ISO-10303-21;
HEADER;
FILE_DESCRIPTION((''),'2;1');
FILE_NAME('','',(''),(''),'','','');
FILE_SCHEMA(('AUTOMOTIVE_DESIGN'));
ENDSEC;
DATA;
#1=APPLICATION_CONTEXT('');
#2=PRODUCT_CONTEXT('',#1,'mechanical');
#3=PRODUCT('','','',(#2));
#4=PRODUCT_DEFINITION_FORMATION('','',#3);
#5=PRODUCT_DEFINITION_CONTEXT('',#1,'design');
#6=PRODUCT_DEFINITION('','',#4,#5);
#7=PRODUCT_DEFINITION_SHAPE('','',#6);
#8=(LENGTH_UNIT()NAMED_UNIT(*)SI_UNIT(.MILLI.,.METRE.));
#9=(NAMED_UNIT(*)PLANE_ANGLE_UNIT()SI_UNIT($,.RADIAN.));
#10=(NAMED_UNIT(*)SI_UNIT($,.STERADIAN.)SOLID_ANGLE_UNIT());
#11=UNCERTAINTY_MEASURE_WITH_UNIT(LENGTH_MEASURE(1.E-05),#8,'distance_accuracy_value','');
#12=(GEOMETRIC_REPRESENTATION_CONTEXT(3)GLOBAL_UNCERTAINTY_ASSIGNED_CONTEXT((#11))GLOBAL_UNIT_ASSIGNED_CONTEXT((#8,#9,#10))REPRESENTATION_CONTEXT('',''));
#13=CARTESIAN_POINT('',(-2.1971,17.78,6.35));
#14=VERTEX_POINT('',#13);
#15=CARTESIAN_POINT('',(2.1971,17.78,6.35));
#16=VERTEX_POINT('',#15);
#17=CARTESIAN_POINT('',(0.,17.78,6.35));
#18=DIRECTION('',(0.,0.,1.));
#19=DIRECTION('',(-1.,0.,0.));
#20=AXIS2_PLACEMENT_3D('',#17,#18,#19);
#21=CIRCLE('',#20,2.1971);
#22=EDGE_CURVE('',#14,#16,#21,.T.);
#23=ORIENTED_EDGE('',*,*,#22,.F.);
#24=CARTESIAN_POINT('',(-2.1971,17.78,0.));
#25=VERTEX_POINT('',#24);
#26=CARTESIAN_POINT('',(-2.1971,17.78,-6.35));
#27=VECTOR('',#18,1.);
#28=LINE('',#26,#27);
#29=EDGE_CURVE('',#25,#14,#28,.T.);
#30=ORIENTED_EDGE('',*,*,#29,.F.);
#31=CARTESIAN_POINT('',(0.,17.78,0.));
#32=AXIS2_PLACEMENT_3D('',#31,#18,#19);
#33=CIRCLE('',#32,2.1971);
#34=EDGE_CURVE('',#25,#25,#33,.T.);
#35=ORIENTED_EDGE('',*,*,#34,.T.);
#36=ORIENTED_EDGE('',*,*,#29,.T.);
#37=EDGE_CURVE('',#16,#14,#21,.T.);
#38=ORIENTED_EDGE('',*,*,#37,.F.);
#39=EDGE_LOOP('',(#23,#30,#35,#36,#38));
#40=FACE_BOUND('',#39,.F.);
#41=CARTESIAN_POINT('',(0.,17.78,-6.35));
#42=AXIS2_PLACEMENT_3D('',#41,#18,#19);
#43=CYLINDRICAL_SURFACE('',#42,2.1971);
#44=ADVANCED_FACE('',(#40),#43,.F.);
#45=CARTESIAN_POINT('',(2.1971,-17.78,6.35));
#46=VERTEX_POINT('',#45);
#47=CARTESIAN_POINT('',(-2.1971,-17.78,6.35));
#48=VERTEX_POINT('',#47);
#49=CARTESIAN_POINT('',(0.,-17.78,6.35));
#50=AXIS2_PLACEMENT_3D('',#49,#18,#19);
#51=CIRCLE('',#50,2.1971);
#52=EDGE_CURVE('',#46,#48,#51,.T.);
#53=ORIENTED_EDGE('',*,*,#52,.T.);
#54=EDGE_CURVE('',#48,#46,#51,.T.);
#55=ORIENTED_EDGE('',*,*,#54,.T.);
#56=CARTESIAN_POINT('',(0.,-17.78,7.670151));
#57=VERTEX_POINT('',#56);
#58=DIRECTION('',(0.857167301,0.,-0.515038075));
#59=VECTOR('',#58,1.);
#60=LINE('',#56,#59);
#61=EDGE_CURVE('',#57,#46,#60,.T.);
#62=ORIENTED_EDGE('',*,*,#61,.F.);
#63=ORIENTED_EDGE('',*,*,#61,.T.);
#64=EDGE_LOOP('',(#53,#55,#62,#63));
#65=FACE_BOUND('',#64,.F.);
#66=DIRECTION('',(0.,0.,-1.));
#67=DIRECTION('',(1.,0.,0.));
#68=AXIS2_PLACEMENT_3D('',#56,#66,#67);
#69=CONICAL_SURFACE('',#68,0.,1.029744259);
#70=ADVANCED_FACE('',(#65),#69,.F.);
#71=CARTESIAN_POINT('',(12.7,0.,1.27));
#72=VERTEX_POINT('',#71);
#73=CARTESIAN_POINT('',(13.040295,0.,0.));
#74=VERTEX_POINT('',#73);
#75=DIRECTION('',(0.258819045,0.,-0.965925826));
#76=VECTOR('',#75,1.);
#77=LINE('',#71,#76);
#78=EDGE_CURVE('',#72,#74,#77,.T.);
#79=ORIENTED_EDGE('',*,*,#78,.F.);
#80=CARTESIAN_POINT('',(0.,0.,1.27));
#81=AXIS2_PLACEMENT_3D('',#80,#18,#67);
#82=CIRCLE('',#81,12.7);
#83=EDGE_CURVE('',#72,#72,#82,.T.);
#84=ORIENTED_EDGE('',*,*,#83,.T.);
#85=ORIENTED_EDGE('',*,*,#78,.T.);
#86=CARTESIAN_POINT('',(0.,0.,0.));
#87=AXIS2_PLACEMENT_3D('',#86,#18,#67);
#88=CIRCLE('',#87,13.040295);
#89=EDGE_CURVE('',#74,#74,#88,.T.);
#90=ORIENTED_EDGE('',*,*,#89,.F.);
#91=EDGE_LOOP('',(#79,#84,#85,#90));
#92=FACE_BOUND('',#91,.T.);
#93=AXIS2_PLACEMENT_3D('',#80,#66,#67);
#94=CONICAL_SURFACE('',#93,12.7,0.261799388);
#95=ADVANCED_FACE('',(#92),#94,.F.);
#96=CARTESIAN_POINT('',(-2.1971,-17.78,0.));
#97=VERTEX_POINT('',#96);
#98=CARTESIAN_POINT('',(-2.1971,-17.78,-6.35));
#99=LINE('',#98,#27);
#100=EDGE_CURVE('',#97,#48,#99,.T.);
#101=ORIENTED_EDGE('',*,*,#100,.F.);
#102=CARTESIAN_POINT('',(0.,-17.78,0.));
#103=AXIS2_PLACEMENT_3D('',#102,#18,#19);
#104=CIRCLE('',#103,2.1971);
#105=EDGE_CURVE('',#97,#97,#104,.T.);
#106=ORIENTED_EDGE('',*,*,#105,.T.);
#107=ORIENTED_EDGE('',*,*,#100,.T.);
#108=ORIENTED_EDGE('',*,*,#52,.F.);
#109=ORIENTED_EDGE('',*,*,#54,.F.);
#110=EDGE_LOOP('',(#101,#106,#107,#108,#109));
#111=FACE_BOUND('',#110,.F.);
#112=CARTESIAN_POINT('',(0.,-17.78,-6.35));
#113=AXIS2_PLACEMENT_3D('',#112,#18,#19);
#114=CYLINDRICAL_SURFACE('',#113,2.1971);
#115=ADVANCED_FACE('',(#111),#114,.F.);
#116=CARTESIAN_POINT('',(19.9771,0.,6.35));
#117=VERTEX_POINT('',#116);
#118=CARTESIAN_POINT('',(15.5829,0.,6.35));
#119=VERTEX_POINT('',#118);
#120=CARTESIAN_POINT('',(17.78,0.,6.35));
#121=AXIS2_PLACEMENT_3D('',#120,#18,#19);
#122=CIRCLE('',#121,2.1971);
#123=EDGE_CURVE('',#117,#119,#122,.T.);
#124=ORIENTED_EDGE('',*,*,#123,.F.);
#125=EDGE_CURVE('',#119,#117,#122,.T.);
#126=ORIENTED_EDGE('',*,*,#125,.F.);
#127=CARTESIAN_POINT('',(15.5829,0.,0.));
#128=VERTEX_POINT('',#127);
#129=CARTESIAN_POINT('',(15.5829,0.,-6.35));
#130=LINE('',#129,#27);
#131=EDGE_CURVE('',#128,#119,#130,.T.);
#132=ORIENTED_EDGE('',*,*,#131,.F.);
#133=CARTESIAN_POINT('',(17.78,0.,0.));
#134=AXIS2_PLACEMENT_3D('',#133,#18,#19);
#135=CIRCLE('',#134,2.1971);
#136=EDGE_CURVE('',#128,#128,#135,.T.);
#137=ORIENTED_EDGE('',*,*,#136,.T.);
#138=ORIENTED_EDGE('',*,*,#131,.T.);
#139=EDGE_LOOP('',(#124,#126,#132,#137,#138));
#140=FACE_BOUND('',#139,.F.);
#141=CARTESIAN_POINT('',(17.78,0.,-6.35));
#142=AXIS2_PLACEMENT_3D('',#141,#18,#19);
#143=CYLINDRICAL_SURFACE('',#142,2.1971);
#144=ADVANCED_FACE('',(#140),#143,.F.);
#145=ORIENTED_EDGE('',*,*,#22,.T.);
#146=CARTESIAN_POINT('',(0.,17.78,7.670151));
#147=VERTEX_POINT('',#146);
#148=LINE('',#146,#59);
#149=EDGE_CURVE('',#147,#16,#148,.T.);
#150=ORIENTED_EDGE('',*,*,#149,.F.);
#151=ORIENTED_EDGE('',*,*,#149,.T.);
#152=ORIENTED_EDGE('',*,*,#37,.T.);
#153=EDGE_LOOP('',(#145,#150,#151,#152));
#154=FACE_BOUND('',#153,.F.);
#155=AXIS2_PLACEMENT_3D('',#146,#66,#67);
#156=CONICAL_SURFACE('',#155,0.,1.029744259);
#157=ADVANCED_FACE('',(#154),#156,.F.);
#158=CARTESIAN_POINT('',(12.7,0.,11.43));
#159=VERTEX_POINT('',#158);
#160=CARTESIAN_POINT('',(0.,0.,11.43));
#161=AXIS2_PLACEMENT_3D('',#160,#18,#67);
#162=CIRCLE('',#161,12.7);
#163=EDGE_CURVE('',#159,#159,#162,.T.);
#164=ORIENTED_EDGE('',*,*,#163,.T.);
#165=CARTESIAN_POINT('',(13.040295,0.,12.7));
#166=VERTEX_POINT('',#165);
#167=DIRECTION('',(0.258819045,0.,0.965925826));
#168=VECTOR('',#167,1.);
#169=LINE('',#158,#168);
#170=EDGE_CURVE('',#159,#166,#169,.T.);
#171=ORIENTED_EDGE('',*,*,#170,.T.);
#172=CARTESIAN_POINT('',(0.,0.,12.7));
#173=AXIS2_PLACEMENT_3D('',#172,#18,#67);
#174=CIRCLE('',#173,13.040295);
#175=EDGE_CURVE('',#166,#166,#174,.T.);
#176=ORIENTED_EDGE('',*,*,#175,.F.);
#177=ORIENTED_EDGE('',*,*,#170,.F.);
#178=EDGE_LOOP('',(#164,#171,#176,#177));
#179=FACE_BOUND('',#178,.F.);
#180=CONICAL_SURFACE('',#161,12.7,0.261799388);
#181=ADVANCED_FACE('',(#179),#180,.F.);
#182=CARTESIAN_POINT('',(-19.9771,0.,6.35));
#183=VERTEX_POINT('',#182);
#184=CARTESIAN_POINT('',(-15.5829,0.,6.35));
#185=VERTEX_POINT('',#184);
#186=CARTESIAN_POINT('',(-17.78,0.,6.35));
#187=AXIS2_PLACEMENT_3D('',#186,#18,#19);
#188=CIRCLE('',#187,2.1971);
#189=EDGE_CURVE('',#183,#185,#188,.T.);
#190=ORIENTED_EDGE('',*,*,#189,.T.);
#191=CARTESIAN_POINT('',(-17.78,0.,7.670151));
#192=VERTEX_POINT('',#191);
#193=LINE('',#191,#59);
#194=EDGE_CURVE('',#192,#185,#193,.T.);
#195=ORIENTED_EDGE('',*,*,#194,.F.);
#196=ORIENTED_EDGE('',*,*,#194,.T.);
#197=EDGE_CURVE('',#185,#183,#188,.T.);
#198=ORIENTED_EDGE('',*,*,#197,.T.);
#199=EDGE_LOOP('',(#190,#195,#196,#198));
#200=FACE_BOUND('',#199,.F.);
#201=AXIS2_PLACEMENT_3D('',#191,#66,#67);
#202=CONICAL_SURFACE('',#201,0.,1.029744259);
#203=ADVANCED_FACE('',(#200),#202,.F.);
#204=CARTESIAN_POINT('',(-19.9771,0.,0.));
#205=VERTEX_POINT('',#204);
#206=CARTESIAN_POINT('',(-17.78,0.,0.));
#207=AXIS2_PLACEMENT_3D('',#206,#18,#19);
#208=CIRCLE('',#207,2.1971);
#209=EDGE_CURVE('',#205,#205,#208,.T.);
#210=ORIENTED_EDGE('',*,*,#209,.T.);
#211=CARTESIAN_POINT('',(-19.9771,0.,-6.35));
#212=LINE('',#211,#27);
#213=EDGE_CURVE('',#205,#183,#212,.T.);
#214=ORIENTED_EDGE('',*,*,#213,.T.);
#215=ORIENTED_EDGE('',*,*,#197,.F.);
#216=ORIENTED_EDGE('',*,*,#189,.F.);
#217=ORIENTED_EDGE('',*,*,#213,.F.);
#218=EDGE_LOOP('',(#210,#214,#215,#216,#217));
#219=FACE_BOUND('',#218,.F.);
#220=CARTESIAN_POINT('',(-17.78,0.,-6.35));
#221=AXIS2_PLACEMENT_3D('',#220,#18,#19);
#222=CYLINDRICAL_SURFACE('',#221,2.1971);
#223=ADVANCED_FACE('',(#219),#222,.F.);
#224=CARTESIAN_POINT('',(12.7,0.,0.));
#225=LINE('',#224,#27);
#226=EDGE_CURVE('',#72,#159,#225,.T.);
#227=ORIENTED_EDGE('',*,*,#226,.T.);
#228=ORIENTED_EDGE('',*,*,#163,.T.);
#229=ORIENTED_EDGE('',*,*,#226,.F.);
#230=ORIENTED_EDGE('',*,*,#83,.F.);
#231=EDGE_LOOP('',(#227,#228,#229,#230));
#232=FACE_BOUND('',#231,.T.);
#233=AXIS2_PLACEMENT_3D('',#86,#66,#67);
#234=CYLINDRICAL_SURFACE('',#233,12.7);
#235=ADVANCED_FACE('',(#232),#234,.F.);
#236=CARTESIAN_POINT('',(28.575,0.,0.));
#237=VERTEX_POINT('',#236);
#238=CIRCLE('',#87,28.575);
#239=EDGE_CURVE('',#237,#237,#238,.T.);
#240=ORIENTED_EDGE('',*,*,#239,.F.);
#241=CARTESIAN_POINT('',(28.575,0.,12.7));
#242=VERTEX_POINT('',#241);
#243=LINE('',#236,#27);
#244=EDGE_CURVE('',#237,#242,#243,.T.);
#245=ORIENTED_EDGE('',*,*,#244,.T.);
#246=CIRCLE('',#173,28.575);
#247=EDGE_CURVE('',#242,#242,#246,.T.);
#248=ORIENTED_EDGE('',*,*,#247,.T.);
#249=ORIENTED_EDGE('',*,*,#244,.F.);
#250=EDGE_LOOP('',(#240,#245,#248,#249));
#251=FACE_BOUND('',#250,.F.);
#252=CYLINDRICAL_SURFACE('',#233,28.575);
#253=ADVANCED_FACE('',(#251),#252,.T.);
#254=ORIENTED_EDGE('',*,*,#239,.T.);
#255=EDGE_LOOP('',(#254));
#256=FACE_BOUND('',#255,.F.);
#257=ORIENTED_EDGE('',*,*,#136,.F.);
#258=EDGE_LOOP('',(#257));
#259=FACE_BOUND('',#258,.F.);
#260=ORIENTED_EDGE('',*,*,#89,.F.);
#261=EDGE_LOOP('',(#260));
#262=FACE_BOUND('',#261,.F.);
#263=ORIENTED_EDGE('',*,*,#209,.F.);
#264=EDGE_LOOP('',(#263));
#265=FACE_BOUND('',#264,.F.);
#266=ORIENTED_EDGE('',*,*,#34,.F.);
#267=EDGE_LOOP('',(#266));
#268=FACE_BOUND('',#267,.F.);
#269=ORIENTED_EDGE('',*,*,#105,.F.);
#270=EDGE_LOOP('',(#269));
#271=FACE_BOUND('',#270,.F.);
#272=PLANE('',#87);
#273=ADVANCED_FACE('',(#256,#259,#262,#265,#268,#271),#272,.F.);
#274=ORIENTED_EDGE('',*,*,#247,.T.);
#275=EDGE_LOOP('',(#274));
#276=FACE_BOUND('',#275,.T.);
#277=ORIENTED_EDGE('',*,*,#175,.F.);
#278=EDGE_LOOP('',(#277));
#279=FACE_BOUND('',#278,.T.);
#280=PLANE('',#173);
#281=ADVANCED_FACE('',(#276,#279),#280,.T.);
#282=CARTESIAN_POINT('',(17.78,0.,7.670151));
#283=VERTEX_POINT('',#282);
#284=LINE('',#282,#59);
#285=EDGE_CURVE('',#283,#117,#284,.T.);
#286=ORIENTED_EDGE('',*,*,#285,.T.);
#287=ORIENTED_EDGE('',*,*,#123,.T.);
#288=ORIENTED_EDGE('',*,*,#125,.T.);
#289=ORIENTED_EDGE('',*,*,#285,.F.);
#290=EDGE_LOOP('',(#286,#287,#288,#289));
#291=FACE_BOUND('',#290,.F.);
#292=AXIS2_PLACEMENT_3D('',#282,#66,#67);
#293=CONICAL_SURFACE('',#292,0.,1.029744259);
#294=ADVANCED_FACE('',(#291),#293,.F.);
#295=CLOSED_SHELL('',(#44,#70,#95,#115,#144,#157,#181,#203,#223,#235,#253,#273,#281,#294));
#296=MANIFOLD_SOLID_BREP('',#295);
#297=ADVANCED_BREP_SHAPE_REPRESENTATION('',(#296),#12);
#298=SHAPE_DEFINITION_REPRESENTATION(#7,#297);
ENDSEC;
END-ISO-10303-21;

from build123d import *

# Parameters (mm, degrees)
F0_R     = 28.575
F0_R_2   = 12.7
F1_DEPTH = 12.7
F2_SIZE2 = 0.3402954744
F2_SIZE  = 1.27
F4_D     = 4.3942
F4_DEPTH = 6.35
F4_TIP   = 1.3201508661


with BuildPart() as f1:
    # F0 (on Top) → F1 (new body)
    with BuildSketch(Plane.XY):
        Circle(F0_R)
        Circle(F0_R_2, mode=Mode.SUBTRACT)
    extrude(amount=F1_DEPTH)

    # F2
    f2_edges = [f1.edges().sort_by_distance(p)[0] for p in [
        (-12.7, 0, 12.7),
        (-12.7, 0, 0),
    ]]
    f2_side = f1.faces().sort_by_distance((-12.7, 0, 6.35))[0]
    chamfer(f2_edges, length=F2_SIZE, length2=F2_SIZE2, reference=f2_side)

    # F4
    with Locations(Plane(origin=(0, 0, 0), x_dir=(1, 0, 0), z_dir=(0, 0, -1))):
        with Locations((0, -17.78), (-17.78, 0), (0, 17.78), (17.78, 0)):
            Hole(F4_D / 2, depth=F4_DEPTH)
            with Locations((0, 0, -(F4_DEPTH + F4_TIP / 2))):  # 118° drill point
                Cone(0, F4_D / 2, F4_TIP, mode=Mode.SUBTRACT)


solid = f1.part
